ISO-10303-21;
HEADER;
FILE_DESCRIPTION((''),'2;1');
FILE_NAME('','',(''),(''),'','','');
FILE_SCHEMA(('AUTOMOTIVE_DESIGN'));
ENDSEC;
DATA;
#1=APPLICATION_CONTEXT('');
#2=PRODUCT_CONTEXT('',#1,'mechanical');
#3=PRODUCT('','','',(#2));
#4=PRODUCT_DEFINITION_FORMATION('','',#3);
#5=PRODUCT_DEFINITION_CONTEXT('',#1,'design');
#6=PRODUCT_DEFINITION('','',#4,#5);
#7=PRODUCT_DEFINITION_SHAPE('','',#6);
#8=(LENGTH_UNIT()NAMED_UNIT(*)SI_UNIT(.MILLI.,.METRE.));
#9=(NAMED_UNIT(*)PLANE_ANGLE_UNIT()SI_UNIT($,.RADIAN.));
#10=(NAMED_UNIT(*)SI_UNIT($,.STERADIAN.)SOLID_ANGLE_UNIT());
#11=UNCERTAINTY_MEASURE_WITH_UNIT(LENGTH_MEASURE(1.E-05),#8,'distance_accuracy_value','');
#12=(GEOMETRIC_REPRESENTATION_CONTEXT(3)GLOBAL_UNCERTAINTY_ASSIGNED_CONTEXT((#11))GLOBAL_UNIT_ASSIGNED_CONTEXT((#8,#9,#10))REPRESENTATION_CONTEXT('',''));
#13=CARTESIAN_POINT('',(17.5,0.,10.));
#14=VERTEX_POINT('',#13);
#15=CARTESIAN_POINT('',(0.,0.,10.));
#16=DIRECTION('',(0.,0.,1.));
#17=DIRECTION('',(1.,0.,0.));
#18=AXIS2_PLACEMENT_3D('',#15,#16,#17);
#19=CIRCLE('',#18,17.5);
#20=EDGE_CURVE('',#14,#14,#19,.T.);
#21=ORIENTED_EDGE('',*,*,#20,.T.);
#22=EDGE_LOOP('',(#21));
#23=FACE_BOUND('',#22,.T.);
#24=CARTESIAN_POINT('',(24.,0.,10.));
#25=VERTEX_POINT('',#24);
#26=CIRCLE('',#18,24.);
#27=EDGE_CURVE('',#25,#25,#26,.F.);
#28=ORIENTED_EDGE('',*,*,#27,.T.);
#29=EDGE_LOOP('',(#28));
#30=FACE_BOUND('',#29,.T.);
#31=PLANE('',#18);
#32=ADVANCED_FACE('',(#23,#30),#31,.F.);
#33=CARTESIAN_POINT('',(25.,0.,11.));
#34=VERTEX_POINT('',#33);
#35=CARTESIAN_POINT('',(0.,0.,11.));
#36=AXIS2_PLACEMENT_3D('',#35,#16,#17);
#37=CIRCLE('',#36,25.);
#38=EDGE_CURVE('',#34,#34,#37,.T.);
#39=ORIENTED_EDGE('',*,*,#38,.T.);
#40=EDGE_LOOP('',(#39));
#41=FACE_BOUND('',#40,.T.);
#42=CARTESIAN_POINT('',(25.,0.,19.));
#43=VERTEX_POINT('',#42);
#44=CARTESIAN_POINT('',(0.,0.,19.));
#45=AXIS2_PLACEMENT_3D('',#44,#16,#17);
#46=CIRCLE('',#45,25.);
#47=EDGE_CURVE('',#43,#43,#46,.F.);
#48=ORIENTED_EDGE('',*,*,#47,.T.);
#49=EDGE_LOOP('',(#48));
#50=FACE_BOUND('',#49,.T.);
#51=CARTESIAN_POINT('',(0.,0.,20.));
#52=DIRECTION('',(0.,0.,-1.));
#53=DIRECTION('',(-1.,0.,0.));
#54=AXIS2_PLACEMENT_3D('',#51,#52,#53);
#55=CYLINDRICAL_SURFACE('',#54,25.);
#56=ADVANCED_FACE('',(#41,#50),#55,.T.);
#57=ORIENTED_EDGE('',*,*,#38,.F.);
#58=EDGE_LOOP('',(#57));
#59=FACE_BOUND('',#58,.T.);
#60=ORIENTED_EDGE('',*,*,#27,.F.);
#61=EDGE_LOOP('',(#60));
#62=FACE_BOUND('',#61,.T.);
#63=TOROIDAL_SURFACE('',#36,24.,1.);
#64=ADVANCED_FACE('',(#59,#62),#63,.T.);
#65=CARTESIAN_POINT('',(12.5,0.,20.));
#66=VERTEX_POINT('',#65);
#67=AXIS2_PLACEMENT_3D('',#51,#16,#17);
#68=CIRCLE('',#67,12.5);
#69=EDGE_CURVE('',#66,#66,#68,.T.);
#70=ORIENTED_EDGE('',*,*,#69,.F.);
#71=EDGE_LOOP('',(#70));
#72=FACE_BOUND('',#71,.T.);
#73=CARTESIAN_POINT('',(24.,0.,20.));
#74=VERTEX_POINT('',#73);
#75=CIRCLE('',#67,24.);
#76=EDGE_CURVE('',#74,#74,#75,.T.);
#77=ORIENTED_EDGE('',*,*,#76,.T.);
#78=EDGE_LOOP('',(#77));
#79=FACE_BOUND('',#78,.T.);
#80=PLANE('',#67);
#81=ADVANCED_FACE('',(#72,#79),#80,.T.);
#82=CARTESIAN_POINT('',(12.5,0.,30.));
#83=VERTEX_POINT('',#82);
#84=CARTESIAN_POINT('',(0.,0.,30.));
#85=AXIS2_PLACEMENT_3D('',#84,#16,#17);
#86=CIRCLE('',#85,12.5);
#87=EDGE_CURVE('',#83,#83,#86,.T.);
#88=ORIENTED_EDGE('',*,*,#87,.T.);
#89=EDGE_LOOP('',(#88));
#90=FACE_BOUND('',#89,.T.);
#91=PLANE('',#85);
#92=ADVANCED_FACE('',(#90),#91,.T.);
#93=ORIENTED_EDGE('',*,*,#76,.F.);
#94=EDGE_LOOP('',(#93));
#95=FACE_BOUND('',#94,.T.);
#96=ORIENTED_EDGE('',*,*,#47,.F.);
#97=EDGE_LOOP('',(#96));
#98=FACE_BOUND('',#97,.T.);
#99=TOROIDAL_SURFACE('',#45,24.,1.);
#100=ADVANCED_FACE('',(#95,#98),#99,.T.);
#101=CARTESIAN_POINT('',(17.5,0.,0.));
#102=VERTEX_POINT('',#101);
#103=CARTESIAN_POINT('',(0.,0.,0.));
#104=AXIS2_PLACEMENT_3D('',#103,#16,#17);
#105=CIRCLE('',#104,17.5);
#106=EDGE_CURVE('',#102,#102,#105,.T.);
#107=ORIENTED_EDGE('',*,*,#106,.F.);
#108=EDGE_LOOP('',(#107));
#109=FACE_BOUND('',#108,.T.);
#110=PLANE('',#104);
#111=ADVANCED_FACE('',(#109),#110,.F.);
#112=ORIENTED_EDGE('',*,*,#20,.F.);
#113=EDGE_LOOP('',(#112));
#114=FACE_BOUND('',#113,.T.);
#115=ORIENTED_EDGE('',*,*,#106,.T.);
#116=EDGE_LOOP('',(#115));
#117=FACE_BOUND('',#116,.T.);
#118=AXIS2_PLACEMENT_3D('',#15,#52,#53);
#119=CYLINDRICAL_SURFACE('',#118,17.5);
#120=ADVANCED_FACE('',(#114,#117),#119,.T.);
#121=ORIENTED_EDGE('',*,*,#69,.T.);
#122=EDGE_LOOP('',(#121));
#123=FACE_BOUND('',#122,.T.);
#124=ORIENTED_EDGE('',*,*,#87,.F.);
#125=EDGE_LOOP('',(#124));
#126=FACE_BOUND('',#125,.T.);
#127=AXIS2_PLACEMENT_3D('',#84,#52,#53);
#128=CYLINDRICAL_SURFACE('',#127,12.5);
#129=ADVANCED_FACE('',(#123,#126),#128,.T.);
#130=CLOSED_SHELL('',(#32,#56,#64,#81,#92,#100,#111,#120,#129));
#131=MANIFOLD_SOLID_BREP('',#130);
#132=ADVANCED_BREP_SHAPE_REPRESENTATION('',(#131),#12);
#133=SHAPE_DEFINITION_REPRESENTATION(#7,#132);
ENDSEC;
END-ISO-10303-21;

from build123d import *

# Parameters (mm, degrees)
SKETCH1_R           = 17.5
BOSS_EXTRUDE1_DEPTH = 10
SKETCH2_R           = 25
BOSS_EXTRUDE2_DEPTH = 10
SKETCH3_R           = 12.5
BOSS_EXTRUDE3_DEPTH = 10
FILLET1_R           = 1


with BuildPart() as part:
    # Sketch1 → Boss-Extrude1 (new body)
    with BuildSketch(Plane.XY):
        Circle(SKETCH1_R)
    extrude(amount=BOSS_EXTRUDE1_DEPTH)

    # Sketch2 → Boss-Extrude2 (add)
    with BuildSketch(Plane.XY.offset(10)):
        Circle(SKETCH2_R)
    extrude(amount=BOSS_EXTRUDE2_DEPTH)

    # Sketch3 → Boss-Extrude3 (add)
    with BuildSketch(Plane.XY.offset(20)):
        Circle(SKETCH3_R)
    extrude(amount=BOSS_EXTRUDE3_DEPTH)

    # Fillet1
    fillet1_edges = [part.edges().sort_by_distance(p)[0] for p in [
        (-25, 0, 10),
        (-25, 0, 20),
    ]]
    fillet(fillet1_edges, radius=FILLET1_R)


solid = part.part
